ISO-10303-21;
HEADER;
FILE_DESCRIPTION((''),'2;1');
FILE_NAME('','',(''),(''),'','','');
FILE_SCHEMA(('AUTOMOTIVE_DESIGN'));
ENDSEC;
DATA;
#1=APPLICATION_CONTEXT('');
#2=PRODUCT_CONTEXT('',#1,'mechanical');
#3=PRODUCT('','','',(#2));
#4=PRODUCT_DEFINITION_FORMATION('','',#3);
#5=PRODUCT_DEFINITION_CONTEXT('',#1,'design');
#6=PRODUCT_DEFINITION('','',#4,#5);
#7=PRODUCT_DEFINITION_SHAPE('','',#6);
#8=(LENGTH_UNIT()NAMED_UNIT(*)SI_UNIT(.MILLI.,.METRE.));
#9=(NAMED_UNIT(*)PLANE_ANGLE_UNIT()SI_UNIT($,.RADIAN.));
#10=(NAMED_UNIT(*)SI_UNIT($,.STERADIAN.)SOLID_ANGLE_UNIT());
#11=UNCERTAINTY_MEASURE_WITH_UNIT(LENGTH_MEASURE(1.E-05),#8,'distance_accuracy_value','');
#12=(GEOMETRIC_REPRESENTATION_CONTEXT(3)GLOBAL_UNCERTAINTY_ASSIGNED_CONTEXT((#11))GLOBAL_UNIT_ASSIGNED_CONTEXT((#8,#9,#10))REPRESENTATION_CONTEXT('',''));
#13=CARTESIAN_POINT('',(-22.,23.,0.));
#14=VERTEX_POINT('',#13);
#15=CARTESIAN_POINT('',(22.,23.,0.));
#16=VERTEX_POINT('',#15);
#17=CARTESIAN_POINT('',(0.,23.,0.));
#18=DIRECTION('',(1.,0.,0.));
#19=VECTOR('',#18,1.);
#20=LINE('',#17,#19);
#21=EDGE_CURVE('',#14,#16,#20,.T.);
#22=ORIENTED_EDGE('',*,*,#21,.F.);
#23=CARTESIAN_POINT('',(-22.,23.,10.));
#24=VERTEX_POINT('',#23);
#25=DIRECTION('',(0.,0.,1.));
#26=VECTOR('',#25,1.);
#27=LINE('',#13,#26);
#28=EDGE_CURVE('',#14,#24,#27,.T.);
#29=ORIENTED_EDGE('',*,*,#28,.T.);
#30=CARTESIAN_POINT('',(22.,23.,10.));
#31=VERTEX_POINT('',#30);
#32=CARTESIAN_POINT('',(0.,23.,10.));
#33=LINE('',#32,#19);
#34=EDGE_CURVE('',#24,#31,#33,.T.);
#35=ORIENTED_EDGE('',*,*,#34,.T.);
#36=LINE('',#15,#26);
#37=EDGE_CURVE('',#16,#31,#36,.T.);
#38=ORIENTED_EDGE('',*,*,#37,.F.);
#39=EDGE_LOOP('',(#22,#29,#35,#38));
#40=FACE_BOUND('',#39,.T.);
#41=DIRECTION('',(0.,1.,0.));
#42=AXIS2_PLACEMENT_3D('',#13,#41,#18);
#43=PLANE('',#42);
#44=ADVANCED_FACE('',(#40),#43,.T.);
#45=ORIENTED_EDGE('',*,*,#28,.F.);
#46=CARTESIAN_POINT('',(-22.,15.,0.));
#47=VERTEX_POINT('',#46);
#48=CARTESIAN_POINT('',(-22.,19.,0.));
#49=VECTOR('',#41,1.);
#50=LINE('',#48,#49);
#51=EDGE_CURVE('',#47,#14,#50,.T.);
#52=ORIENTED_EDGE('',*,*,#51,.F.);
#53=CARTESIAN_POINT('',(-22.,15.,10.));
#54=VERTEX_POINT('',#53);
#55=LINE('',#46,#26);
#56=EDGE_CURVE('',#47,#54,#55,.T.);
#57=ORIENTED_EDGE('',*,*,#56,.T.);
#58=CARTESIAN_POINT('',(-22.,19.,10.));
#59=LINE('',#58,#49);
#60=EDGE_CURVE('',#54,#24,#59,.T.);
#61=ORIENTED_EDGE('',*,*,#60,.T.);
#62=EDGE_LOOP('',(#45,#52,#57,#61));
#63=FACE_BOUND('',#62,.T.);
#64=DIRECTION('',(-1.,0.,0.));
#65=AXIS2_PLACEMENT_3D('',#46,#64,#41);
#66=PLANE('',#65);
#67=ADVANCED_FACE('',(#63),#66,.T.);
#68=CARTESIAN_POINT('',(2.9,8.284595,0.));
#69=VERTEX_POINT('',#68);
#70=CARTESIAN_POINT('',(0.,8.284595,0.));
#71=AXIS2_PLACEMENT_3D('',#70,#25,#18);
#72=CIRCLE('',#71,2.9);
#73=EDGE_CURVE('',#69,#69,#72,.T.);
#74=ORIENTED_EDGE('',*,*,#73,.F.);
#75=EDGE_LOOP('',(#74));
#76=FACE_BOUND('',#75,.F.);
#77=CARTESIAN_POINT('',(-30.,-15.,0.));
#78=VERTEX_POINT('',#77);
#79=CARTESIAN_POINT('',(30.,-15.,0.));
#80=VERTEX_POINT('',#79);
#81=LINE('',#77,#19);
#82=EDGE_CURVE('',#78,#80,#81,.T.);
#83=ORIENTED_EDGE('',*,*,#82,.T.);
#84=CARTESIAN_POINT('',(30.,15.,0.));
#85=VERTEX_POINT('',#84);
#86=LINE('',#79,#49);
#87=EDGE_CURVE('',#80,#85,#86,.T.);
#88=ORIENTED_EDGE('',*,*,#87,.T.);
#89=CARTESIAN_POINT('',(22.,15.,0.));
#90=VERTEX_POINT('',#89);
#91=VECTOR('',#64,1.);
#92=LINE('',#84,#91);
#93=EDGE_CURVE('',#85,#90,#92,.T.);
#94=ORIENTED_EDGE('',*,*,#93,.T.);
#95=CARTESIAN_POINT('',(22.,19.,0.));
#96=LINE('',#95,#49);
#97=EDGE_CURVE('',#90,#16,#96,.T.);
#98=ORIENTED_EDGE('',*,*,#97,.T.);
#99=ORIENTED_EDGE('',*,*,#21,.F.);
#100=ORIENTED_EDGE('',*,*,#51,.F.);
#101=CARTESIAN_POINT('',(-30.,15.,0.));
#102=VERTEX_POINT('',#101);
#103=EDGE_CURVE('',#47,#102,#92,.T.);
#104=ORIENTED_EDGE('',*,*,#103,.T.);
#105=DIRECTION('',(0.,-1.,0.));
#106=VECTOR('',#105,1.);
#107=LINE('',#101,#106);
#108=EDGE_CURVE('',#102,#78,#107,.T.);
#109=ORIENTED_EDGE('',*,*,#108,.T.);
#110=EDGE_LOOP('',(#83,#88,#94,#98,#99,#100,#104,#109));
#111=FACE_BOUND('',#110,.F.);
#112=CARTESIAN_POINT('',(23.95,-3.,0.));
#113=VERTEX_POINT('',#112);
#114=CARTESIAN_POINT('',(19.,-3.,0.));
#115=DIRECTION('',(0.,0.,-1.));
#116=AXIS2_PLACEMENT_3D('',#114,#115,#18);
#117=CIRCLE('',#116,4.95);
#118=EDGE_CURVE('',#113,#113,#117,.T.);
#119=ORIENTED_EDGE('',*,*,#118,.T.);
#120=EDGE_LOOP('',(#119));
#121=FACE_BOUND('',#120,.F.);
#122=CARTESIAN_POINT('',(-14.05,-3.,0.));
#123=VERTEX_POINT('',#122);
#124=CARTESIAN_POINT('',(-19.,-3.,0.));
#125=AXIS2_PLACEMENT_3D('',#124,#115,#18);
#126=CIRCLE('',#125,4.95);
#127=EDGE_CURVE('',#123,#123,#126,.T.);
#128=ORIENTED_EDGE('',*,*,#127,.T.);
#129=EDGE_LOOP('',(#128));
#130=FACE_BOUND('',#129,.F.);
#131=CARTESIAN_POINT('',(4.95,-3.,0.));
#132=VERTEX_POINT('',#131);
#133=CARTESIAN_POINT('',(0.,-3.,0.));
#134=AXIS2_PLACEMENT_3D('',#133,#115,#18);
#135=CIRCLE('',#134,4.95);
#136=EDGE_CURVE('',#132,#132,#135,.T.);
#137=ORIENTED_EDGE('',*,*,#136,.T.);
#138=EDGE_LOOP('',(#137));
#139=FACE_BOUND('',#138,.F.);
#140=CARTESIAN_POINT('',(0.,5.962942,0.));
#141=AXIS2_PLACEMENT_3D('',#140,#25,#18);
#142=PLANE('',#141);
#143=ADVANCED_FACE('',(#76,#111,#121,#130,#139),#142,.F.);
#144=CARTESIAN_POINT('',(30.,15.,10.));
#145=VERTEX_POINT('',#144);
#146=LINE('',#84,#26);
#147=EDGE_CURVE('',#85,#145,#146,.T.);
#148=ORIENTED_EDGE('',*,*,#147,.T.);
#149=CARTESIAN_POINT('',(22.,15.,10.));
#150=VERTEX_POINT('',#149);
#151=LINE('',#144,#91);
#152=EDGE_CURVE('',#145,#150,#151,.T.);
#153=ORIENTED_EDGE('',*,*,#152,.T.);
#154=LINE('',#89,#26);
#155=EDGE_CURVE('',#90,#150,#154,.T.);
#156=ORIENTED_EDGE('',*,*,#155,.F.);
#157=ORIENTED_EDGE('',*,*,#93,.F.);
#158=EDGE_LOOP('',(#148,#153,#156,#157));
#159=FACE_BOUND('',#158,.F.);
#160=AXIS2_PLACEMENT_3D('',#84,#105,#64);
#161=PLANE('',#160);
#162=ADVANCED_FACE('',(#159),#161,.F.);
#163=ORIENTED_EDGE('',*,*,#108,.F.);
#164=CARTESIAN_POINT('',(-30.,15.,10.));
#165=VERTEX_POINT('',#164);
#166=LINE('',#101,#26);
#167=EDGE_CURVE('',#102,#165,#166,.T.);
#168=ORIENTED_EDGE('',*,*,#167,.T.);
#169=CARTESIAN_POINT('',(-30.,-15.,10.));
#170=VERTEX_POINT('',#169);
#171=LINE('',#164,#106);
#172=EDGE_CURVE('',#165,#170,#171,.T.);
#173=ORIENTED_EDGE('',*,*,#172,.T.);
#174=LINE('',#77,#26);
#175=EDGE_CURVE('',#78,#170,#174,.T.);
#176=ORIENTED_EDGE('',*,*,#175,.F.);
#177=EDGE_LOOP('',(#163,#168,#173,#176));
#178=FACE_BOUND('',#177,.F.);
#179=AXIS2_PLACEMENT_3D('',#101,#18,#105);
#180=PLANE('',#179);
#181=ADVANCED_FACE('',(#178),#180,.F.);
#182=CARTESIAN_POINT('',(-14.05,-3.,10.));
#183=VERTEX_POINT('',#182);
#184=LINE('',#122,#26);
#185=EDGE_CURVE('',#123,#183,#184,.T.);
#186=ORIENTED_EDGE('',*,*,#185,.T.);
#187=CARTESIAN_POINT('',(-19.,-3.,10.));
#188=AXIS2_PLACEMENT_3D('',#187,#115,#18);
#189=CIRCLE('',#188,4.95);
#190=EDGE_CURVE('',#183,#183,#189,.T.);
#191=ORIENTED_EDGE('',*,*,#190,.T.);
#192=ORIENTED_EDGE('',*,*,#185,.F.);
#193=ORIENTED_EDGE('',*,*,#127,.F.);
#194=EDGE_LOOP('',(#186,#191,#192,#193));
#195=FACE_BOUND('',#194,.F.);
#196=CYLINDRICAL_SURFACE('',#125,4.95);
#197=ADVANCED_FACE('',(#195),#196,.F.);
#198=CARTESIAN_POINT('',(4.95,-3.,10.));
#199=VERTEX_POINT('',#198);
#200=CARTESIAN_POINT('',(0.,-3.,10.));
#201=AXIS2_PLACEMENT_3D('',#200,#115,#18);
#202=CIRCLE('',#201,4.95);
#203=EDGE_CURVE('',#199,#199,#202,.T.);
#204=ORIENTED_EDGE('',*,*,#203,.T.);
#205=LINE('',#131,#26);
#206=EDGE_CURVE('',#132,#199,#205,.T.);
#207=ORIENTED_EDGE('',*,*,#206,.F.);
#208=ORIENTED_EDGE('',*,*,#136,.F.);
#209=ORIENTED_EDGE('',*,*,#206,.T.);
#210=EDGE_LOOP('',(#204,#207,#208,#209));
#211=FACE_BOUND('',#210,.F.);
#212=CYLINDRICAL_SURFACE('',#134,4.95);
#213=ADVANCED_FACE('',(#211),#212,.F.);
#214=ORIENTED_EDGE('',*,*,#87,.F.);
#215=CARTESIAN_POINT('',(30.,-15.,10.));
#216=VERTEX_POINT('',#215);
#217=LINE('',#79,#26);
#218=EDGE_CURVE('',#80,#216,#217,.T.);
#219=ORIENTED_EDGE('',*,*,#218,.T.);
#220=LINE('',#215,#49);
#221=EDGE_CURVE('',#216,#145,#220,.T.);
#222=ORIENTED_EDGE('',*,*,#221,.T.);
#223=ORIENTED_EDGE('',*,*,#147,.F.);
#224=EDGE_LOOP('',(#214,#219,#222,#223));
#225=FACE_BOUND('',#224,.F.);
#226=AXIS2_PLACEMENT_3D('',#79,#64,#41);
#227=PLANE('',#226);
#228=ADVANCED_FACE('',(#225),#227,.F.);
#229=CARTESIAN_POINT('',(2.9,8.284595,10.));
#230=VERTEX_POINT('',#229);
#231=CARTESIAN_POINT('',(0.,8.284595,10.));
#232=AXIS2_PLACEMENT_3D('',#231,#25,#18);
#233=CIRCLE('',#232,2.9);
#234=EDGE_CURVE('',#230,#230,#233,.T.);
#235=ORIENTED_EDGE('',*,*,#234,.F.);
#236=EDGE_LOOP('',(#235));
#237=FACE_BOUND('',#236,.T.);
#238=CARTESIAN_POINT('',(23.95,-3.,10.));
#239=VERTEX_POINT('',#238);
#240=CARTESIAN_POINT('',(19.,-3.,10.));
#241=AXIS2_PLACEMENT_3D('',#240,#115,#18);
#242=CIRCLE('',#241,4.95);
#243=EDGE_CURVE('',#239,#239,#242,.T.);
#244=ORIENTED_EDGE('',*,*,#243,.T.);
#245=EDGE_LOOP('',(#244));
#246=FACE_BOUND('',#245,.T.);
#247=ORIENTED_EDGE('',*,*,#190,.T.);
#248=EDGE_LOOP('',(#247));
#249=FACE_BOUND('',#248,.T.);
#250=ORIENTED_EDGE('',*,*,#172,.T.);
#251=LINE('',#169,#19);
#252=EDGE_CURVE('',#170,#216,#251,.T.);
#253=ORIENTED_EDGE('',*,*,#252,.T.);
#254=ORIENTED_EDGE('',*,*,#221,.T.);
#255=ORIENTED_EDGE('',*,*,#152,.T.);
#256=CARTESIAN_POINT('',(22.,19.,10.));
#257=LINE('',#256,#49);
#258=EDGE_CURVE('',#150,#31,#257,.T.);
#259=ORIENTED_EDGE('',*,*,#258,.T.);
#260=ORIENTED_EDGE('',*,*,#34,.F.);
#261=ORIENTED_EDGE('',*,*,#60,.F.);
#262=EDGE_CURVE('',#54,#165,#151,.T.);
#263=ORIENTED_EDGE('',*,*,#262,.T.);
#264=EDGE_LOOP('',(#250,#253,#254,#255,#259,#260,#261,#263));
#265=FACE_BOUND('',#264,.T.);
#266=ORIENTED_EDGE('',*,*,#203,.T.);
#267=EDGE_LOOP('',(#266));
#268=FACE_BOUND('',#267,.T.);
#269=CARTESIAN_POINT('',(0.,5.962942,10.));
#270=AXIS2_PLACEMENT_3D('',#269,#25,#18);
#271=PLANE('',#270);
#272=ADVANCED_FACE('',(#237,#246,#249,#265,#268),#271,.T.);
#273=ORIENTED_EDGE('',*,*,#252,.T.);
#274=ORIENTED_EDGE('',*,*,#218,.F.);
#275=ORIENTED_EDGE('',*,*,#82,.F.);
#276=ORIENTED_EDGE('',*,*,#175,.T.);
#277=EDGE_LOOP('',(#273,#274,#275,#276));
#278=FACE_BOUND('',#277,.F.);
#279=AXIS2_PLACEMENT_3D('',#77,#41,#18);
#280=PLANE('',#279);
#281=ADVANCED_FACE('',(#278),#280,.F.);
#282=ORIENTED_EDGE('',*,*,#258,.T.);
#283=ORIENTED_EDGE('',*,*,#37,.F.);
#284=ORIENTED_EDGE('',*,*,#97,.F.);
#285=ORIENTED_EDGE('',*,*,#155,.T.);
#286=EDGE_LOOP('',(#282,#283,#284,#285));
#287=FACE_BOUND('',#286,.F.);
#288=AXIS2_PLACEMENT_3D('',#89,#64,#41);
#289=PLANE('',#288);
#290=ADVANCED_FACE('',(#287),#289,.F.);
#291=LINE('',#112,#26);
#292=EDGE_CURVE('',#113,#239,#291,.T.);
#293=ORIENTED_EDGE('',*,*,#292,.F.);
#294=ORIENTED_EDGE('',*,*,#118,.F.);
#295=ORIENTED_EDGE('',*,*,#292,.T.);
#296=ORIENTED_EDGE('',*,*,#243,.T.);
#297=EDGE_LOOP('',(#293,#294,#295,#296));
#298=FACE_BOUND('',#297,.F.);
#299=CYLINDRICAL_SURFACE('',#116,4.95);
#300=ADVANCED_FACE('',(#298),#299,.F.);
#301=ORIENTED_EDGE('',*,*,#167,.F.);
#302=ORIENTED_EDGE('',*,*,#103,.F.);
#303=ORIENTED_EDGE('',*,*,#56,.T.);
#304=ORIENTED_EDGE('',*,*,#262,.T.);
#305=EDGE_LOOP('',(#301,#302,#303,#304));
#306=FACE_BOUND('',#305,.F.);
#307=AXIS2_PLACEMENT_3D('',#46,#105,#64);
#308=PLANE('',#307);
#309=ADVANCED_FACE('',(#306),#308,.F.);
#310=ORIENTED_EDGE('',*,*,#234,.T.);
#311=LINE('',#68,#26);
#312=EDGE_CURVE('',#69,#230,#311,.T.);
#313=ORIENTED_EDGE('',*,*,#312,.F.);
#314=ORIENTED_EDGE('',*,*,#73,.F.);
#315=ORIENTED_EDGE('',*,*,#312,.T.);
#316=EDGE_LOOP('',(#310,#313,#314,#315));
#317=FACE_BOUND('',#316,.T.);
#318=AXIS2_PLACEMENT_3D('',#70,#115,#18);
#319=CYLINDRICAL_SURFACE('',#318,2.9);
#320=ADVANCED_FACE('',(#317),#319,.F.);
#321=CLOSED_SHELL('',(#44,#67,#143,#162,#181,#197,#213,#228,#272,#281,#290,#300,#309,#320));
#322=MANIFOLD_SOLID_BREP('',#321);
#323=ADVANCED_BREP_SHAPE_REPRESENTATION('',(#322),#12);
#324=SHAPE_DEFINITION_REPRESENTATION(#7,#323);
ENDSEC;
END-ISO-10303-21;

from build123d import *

# Parameters (mm, degrees)
F0_R     = 2.9
F0_W     = 44
F0_H     = 8
F1_DEPTH = 10


with BuildPart() as f1:
    # F0 (on Top) → F1 (new body)
    with BuildSketch(Plane.XY):
        with BuildLine():
            Line((23.95, -3), (30, -3))
            Line((30, -3), (30, 15))
            Line((30, 15), (22, 15))
            Line((22, 15), (-22, 15))
            Line((-22, 15), (-30, 15))
            Line((-30, 15), (-30, -3))
            Line((-30, -3), (-23.95, -3))
            ThreePointArc((-23.95, -3), (-19, 1.95), (-14.05, -3))
            Line((-14.05, -3), (-4.95, -3))
            ThreePointArc((-4.95, -3), (0, 1.95), (4.95, -3))
            Line((4.95, -3), (14.05, -3))
            ThreePointArc((14.05, -3), (19, 1.95), (23.95, -3))
        make_face()
        with Locations((0, 8.284595)):
            Circle(F0_R, mode=Mode.SUBTRACT)
        with BuildLine():
            Line((-30, -15), (30, -15))
            Line((30, -15), (30, -3))
            Line((30, -3), (23.95, -3))
            ThreePointArc((23.95, -3), (19, -7.95), (14.05, -3))
            Line((14.05, -3), (4.95, -3))
            ThreePointArc((4.95, -3), (0, -7.95), (-4.95, -3))
            Line((-4.95, -3), (-14.05, -3))
            ThreePointArc((-14.05, -3), (-19, -7.95), (-23.95, -3))
            Line((-23.95, -3), (-30, -3))
            Line((-30, -3), (-30, -15))
        make_face()
        with Locations((0, 19)):
            Rectangle(F0_W, F0_H)
    extrude(amount=F1_DEPTH)


solid = f1.part
